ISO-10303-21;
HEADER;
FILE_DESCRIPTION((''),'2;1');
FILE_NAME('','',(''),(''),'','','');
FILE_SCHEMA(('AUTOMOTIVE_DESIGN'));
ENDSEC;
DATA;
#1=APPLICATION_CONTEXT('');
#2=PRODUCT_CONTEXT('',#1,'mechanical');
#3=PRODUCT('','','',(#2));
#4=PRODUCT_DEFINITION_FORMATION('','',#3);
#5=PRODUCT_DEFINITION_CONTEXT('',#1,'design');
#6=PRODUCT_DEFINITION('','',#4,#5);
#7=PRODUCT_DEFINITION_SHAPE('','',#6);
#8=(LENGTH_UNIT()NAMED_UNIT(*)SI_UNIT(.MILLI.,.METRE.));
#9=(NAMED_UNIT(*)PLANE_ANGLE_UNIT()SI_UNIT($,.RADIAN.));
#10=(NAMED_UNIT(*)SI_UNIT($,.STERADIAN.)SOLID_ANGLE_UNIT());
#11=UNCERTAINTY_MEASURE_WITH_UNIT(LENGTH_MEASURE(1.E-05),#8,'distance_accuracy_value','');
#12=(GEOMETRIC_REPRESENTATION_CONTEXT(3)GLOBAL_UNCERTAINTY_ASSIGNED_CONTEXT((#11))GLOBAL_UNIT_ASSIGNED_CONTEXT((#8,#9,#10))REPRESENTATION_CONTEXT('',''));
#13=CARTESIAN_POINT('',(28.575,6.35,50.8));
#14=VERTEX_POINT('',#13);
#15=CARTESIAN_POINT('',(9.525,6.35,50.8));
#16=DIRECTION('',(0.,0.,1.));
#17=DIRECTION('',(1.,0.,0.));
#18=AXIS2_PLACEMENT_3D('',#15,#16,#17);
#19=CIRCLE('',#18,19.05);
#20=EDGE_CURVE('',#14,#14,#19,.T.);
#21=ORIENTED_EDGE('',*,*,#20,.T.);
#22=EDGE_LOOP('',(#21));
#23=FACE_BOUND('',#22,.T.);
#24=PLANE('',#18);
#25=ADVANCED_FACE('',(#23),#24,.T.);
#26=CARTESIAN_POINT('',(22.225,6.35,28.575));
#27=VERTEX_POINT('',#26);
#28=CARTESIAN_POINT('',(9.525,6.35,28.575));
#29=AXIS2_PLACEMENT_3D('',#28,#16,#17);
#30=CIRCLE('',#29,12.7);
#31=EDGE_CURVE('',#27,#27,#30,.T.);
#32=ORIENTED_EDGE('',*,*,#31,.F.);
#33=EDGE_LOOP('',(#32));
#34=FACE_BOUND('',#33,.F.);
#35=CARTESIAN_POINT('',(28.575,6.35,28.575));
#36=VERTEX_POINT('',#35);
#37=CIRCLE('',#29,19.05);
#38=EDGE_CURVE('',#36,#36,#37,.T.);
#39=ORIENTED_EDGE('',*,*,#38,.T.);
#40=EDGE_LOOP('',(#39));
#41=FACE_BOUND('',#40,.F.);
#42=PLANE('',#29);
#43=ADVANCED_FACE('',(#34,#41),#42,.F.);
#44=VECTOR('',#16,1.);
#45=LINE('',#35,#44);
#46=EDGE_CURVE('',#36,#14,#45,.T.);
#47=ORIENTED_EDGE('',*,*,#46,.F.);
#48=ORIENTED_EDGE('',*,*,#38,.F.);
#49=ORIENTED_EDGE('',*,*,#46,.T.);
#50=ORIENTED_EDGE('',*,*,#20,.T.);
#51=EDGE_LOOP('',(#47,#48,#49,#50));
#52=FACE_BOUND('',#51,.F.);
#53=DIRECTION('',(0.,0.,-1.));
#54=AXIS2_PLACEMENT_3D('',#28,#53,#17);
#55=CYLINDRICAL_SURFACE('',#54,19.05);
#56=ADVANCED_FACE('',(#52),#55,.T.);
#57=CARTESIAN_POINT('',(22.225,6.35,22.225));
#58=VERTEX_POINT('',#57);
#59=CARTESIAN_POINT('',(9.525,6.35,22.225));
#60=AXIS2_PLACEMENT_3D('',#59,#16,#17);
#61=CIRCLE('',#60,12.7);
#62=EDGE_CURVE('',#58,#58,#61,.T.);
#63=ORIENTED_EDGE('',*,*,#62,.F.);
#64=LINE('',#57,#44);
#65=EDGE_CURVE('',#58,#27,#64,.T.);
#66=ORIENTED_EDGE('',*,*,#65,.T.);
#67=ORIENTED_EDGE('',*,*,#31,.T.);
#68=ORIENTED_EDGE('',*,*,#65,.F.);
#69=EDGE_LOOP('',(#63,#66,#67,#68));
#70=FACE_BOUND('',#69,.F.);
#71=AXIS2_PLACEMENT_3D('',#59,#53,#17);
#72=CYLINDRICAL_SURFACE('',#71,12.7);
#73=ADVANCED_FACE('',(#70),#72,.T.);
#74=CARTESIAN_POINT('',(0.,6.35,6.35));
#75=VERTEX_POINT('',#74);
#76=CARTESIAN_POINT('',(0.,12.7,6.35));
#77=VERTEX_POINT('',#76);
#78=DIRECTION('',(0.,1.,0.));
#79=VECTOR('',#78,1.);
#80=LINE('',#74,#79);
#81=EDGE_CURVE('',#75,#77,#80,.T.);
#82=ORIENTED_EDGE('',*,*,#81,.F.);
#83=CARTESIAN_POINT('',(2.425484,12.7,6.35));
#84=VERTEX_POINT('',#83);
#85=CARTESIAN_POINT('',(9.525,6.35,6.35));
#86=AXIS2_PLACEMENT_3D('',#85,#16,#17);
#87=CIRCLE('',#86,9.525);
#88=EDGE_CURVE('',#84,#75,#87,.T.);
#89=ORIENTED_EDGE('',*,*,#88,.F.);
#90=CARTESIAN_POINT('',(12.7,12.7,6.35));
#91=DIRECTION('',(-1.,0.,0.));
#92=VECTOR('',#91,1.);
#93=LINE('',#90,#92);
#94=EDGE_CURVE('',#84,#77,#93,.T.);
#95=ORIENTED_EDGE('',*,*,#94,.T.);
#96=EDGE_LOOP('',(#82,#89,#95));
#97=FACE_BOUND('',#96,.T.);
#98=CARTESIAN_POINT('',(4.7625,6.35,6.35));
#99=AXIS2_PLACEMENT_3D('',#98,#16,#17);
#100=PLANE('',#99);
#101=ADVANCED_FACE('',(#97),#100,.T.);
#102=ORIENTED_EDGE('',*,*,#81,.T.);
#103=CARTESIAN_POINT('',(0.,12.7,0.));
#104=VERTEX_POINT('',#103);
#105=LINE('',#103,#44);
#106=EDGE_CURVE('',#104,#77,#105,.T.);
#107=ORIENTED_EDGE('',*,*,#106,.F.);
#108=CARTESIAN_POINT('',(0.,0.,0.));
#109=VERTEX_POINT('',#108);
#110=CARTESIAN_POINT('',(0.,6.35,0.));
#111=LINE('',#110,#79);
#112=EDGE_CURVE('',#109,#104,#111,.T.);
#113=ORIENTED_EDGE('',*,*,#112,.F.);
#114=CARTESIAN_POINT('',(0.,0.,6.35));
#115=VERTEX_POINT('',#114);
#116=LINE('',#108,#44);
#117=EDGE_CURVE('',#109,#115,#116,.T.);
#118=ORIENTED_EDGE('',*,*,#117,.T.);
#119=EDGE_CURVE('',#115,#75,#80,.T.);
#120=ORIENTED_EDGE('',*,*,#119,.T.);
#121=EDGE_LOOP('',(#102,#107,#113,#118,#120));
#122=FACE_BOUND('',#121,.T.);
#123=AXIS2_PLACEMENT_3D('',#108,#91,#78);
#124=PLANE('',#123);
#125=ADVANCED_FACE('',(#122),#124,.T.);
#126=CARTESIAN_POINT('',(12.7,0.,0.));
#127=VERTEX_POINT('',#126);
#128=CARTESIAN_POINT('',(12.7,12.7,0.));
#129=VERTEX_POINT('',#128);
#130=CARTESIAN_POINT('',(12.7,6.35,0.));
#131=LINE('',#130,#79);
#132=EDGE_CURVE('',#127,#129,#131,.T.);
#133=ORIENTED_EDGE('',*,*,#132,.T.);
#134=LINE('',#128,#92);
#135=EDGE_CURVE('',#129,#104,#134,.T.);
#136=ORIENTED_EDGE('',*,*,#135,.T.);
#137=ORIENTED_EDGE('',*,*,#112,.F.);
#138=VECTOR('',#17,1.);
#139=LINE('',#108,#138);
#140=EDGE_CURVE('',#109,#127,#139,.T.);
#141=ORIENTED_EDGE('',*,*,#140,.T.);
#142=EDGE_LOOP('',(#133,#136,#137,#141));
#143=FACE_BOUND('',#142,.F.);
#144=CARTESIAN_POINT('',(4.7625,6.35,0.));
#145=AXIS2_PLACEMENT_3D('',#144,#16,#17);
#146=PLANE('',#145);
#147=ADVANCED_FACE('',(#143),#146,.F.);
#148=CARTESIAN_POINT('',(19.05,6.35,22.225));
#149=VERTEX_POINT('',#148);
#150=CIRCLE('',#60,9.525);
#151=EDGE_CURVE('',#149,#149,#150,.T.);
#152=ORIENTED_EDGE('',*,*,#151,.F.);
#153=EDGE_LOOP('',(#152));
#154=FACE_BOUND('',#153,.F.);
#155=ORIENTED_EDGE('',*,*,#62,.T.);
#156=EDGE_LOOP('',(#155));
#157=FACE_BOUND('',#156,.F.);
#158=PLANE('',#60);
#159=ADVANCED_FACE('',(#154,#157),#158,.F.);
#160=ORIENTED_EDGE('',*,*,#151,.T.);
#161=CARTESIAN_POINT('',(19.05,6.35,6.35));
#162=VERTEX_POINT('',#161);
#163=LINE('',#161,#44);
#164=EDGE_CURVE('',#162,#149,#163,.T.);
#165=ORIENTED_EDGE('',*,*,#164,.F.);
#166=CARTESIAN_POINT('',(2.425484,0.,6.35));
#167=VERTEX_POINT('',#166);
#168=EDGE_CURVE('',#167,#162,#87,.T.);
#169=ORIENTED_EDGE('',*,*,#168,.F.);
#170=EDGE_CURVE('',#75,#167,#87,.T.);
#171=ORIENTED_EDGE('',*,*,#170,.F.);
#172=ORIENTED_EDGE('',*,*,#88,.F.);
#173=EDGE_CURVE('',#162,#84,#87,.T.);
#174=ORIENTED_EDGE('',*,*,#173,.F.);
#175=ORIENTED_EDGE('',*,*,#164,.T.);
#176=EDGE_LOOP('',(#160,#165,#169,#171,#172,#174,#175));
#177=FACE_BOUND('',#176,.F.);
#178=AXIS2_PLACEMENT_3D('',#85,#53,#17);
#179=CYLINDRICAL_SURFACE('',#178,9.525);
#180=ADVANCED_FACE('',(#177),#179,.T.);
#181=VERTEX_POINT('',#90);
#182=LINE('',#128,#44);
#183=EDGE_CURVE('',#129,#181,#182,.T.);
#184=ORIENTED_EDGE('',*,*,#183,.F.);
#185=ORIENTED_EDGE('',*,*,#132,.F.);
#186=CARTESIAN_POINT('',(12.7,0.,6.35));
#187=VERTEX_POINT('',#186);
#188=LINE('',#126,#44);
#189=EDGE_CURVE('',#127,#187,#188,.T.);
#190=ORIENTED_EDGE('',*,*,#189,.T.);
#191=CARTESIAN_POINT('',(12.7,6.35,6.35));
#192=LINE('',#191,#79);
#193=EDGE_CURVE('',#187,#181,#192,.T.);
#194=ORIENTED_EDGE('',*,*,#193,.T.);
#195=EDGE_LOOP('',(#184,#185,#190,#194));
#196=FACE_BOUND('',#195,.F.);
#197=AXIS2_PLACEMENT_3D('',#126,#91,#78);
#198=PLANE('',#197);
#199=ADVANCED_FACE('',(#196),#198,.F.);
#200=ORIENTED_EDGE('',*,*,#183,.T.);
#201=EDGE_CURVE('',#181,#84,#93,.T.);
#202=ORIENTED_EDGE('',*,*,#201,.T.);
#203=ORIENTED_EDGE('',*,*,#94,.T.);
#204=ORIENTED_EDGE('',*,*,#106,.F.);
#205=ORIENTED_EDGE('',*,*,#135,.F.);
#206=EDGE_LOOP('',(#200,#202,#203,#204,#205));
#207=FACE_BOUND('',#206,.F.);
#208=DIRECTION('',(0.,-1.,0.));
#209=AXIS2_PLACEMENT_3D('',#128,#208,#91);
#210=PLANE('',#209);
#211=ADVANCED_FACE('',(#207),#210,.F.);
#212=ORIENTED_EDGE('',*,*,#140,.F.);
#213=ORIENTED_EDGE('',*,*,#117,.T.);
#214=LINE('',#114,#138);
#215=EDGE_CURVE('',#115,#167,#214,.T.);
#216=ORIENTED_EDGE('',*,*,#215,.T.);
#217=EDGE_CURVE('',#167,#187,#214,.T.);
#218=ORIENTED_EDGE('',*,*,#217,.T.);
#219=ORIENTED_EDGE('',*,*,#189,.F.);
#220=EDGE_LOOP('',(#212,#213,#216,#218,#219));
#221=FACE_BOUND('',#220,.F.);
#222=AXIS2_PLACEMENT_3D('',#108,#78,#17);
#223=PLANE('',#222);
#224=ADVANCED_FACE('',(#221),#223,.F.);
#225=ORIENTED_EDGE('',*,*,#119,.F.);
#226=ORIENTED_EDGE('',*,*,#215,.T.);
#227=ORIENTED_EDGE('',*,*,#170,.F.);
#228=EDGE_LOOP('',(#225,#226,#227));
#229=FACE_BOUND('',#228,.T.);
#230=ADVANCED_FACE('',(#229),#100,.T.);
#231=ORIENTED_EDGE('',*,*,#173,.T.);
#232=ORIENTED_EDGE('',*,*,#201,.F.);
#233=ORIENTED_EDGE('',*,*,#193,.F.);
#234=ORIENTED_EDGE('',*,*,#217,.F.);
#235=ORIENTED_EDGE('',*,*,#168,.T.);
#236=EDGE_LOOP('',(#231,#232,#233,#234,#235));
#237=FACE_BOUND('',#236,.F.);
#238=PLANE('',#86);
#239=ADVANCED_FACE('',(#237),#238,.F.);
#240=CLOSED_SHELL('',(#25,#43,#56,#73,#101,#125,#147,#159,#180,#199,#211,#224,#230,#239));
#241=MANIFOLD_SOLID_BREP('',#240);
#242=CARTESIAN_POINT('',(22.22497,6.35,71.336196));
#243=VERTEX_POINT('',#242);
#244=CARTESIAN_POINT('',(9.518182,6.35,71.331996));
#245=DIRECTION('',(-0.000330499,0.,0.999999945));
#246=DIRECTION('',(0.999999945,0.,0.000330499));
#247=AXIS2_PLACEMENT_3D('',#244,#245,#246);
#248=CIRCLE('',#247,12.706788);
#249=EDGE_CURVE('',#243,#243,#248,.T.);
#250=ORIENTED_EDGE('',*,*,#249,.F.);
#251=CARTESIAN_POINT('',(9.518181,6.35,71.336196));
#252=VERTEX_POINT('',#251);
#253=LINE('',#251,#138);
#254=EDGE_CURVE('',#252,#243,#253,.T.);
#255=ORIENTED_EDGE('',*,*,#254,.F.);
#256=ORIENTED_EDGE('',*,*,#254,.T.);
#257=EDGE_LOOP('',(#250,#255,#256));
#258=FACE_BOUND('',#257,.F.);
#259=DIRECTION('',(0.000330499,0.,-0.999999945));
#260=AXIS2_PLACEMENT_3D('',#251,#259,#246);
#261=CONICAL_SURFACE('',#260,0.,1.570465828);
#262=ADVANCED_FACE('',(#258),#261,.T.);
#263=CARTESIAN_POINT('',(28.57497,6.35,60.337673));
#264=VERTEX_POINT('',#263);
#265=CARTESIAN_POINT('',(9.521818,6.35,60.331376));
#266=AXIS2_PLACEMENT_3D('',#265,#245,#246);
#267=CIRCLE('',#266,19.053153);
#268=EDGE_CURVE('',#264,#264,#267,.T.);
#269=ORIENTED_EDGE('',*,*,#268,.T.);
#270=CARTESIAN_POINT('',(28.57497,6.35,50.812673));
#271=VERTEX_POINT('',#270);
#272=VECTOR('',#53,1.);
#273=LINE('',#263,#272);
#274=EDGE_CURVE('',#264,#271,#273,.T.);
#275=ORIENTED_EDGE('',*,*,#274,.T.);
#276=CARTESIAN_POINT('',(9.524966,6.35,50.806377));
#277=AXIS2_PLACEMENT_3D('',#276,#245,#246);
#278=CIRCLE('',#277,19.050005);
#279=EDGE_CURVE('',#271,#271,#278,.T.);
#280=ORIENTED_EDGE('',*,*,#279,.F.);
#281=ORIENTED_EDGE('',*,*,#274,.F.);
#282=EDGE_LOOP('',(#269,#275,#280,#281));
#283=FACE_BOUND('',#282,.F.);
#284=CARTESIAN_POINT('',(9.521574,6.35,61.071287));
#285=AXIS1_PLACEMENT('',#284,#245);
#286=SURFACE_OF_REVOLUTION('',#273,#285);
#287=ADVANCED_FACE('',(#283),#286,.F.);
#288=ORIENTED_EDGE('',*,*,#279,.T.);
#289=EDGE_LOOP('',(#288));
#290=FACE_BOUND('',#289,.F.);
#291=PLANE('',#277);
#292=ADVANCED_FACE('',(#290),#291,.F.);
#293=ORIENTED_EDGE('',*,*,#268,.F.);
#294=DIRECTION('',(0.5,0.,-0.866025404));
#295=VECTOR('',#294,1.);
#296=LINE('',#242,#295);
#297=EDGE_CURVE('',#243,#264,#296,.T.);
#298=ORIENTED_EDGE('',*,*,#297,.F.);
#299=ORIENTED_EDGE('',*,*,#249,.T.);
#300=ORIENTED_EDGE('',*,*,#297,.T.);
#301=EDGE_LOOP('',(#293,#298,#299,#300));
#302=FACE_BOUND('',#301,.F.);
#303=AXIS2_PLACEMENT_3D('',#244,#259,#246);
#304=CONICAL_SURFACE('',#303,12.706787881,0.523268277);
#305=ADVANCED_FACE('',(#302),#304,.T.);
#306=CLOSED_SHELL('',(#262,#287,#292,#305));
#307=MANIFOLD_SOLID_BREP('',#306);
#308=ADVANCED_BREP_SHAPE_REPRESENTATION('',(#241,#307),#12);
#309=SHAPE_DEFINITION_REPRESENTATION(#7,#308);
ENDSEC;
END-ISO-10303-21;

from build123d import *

# Parameters (mm, degrees)
F0_W     = 9.525
F0_H     = 12.7
F0_W_2   = 3.175
F1_DEPTH = 6.35
F2_R     = 9.525
F3_DEPTH = 15.875
F4_R     = 12.7
F5_DEPTH = 6.35
F6_R     = 19.05
F7_DEPTH = 22.225


with BuildPart() as f1:
    # F0 (on Top) → F1 (new body)
    with BuildSketch(Plane.XY):
        with Locations((4.7625, 6.35)):
            Rectangle(F0_W, F0_H)
        with Locations((11.1125, 6.35)):
            Rectangle(F0_W_2, F0_H)
    extrude(amount=F1_DEPTH)

    # F2 (on face) → F3 (join)
    with BuildSketch(Plane.XY.offset(6.35)):
        with Locations((9.525, 6.35)):
            Circle(F2_R)
    extrude(amount=F3_DEPTH)

    # F4 (on face) → F5 (join)
    with BuildSketch(Plane.XY.offset(22.225)):
        with Locations((9.525, 6.35)):
            Circle(F4_R)
    extrude(amount=F5_DEPTH)

    # F6 (on face) → F7 (join)
    with BuildSketch(Plane.XY.offset(28.575)):
        with Locations((9.525, 6.35)):
            Circle(F6_R)
    extrude(amount=F7_DEPTH)


with BuildPart() as f10:
    # F9 (on face) → F10 (revolve)
    with BuildSketch(Plane(origin=(0, 6.35, 0), x_dir=(-1, 0, 0), z_dir=(0, 1, 0))):
        Polygon((-28.5749696195, 60.3376733482), (-28.5749696195, 50.8126733482), (-9.5249661244, 50.8063773453), (-9.5181810445, 71.3361959763), (-22.2249696195, 71.3361959763), align=None)
    revolve(axis=Axis((9.5215735845, 6.35, 61.0712866608), (-0.0003304988, 0, 0.9999999454)))


solid = Compound([f1.part, f10.part])
